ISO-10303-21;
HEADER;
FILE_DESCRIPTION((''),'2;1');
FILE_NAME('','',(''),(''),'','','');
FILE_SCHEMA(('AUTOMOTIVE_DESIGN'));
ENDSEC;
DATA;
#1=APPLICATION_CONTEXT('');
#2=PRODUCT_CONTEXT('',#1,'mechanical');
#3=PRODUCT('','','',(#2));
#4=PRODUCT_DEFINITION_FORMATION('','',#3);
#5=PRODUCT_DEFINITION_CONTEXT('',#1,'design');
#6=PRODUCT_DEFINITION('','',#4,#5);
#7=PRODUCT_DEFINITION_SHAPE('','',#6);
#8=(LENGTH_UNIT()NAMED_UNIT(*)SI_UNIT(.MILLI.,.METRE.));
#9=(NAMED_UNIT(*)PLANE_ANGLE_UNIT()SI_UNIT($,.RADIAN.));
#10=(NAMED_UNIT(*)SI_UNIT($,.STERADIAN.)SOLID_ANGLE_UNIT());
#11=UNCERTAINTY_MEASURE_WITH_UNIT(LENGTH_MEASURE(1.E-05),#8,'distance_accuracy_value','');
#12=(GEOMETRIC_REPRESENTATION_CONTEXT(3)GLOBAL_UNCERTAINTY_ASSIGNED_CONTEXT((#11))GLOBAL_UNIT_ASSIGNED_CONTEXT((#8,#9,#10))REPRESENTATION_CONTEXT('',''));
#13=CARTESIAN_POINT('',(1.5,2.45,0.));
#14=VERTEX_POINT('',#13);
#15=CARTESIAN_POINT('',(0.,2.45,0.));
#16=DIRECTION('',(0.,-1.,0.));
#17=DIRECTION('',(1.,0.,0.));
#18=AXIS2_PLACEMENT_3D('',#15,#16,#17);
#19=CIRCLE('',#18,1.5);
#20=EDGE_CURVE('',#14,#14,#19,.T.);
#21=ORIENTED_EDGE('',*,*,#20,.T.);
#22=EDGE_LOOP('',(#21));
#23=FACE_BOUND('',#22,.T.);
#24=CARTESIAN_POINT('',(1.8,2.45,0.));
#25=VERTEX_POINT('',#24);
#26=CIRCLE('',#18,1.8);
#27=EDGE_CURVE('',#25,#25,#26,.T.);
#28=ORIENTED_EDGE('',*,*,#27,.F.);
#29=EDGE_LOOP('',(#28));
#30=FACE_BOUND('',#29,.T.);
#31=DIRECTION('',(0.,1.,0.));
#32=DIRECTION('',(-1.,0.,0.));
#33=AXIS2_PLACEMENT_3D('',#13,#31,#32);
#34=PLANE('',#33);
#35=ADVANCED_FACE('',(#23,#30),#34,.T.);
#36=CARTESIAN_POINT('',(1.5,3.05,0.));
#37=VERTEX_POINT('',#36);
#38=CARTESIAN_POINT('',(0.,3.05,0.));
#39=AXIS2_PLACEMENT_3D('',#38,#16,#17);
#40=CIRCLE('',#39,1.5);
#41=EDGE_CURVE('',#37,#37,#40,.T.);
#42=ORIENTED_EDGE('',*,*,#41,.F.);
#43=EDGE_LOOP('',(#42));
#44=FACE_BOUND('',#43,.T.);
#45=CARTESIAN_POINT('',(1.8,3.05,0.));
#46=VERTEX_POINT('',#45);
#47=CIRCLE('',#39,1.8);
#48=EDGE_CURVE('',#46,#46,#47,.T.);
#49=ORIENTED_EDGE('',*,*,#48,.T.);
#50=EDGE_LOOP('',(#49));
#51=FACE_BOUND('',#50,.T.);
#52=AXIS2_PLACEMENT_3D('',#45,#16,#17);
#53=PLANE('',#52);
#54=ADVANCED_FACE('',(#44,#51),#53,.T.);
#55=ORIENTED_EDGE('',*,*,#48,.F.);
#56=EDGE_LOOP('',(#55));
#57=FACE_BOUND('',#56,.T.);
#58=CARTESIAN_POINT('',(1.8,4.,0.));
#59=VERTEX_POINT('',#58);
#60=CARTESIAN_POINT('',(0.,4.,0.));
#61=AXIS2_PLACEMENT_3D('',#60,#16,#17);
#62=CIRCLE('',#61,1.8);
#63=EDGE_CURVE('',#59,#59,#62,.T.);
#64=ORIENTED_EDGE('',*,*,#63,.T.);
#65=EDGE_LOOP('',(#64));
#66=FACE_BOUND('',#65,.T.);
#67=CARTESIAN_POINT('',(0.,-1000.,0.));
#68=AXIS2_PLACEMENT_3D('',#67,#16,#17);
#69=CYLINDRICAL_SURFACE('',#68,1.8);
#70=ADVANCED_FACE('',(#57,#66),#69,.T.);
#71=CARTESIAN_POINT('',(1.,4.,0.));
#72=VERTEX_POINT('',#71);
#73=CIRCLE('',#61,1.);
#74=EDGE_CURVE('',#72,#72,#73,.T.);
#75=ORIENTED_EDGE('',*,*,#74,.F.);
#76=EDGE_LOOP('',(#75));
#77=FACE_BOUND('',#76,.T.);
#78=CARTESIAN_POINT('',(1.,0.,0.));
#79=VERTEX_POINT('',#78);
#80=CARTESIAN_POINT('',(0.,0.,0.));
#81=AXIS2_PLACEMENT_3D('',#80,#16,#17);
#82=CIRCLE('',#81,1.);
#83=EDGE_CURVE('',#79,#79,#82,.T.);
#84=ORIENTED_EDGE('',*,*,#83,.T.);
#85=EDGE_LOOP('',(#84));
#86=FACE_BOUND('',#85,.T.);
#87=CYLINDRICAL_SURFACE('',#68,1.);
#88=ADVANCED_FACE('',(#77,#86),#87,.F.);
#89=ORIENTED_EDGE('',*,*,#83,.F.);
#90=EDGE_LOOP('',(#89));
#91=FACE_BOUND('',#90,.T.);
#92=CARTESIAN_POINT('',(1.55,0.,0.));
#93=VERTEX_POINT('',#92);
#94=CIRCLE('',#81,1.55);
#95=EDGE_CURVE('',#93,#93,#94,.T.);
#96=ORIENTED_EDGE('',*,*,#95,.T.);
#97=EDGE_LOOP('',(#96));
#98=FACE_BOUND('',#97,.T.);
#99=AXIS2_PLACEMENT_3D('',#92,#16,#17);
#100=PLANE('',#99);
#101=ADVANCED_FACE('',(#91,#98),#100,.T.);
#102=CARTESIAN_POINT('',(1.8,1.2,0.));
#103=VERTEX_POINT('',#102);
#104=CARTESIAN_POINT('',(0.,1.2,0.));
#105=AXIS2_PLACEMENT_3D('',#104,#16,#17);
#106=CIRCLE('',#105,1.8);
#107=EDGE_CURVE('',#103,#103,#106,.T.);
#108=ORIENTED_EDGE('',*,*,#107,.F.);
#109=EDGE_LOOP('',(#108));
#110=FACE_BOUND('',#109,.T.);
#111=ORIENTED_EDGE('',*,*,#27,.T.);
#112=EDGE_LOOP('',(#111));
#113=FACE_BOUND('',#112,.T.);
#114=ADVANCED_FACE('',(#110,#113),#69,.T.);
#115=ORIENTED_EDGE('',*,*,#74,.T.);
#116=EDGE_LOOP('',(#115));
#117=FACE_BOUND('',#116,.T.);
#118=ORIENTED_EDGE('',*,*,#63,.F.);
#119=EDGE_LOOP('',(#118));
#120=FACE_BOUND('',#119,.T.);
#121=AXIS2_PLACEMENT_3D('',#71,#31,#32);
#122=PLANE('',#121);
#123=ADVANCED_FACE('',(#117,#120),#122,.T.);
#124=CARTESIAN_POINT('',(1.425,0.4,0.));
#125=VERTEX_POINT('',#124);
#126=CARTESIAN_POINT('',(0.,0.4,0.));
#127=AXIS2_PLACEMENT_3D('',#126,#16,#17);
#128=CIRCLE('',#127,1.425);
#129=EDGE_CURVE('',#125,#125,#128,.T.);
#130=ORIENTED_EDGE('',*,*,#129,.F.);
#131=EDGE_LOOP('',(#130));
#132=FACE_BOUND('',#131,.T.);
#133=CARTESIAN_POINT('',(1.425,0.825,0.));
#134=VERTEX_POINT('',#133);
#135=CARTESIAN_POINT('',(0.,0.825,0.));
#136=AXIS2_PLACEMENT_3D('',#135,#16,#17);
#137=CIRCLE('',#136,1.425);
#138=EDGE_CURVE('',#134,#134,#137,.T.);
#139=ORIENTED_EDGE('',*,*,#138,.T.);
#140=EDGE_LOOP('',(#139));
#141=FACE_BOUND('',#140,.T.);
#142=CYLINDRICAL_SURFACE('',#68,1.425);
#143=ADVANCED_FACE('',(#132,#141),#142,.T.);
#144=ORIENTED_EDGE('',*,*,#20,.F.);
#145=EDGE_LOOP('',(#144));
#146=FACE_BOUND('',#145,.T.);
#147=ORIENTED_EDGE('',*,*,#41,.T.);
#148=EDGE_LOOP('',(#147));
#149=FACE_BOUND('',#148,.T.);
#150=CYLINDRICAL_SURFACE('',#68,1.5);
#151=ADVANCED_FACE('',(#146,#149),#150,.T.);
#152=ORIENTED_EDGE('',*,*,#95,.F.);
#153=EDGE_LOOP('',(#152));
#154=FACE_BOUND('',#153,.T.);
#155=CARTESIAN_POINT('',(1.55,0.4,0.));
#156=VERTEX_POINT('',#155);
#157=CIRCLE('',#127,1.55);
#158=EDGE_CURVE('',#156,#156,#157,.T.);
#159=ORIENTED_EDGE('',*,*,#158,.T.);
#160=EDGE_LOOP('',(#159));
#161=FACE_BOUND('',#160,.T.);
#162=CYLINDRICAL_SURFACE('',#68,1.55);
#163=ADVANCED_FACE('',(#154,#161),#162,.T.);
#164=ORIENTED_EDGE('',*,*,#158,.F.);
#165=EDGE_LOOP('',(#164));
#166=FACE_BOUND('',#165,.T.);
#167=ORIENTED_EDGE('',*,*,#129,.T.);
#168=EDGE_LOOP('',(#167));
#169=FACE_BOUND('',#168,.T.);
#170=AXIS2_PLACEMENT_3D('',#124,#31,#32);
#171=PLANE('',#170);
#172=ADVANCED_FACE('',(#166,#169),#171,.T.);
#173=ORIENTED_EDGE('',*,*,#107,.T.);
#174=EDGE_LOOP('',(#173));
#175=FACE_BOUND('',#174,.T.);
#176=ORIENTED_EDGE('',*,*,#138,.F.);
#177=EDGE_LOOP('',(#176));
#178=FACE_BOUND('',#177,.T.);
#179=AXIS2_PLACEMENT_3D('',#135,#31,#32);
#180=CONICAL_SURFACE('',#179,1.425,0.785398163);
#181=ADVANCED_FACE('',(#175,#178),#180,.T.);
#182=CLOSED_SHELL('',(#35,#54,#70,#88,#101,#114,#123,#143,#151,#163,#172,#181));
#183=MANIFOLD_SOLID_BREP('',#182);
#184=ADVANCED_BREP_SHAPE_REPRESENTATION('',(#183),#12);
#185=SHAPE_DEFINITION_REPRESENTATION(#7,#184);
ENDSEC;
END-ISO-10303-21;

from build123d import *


with BuildPart() as part:
    # Sketch1 → Revolve1 (revolve)
    with BuildSketch(Plane.XY):
        Polygon((1, 0), (1, 4), (1.8, 4), (1.8, 3.05), (1.5, 3.05), (1.5, 2.45), (1.8, 2.45), (1.8, 1.2), (1.425, 0.825), (1.425, 0.4), (1.55, 0.4), (1.55, 0), align=None)
    revolve(axis=Axis((0, -1000, 0), (0, 1, 0)))


solid = part.part
